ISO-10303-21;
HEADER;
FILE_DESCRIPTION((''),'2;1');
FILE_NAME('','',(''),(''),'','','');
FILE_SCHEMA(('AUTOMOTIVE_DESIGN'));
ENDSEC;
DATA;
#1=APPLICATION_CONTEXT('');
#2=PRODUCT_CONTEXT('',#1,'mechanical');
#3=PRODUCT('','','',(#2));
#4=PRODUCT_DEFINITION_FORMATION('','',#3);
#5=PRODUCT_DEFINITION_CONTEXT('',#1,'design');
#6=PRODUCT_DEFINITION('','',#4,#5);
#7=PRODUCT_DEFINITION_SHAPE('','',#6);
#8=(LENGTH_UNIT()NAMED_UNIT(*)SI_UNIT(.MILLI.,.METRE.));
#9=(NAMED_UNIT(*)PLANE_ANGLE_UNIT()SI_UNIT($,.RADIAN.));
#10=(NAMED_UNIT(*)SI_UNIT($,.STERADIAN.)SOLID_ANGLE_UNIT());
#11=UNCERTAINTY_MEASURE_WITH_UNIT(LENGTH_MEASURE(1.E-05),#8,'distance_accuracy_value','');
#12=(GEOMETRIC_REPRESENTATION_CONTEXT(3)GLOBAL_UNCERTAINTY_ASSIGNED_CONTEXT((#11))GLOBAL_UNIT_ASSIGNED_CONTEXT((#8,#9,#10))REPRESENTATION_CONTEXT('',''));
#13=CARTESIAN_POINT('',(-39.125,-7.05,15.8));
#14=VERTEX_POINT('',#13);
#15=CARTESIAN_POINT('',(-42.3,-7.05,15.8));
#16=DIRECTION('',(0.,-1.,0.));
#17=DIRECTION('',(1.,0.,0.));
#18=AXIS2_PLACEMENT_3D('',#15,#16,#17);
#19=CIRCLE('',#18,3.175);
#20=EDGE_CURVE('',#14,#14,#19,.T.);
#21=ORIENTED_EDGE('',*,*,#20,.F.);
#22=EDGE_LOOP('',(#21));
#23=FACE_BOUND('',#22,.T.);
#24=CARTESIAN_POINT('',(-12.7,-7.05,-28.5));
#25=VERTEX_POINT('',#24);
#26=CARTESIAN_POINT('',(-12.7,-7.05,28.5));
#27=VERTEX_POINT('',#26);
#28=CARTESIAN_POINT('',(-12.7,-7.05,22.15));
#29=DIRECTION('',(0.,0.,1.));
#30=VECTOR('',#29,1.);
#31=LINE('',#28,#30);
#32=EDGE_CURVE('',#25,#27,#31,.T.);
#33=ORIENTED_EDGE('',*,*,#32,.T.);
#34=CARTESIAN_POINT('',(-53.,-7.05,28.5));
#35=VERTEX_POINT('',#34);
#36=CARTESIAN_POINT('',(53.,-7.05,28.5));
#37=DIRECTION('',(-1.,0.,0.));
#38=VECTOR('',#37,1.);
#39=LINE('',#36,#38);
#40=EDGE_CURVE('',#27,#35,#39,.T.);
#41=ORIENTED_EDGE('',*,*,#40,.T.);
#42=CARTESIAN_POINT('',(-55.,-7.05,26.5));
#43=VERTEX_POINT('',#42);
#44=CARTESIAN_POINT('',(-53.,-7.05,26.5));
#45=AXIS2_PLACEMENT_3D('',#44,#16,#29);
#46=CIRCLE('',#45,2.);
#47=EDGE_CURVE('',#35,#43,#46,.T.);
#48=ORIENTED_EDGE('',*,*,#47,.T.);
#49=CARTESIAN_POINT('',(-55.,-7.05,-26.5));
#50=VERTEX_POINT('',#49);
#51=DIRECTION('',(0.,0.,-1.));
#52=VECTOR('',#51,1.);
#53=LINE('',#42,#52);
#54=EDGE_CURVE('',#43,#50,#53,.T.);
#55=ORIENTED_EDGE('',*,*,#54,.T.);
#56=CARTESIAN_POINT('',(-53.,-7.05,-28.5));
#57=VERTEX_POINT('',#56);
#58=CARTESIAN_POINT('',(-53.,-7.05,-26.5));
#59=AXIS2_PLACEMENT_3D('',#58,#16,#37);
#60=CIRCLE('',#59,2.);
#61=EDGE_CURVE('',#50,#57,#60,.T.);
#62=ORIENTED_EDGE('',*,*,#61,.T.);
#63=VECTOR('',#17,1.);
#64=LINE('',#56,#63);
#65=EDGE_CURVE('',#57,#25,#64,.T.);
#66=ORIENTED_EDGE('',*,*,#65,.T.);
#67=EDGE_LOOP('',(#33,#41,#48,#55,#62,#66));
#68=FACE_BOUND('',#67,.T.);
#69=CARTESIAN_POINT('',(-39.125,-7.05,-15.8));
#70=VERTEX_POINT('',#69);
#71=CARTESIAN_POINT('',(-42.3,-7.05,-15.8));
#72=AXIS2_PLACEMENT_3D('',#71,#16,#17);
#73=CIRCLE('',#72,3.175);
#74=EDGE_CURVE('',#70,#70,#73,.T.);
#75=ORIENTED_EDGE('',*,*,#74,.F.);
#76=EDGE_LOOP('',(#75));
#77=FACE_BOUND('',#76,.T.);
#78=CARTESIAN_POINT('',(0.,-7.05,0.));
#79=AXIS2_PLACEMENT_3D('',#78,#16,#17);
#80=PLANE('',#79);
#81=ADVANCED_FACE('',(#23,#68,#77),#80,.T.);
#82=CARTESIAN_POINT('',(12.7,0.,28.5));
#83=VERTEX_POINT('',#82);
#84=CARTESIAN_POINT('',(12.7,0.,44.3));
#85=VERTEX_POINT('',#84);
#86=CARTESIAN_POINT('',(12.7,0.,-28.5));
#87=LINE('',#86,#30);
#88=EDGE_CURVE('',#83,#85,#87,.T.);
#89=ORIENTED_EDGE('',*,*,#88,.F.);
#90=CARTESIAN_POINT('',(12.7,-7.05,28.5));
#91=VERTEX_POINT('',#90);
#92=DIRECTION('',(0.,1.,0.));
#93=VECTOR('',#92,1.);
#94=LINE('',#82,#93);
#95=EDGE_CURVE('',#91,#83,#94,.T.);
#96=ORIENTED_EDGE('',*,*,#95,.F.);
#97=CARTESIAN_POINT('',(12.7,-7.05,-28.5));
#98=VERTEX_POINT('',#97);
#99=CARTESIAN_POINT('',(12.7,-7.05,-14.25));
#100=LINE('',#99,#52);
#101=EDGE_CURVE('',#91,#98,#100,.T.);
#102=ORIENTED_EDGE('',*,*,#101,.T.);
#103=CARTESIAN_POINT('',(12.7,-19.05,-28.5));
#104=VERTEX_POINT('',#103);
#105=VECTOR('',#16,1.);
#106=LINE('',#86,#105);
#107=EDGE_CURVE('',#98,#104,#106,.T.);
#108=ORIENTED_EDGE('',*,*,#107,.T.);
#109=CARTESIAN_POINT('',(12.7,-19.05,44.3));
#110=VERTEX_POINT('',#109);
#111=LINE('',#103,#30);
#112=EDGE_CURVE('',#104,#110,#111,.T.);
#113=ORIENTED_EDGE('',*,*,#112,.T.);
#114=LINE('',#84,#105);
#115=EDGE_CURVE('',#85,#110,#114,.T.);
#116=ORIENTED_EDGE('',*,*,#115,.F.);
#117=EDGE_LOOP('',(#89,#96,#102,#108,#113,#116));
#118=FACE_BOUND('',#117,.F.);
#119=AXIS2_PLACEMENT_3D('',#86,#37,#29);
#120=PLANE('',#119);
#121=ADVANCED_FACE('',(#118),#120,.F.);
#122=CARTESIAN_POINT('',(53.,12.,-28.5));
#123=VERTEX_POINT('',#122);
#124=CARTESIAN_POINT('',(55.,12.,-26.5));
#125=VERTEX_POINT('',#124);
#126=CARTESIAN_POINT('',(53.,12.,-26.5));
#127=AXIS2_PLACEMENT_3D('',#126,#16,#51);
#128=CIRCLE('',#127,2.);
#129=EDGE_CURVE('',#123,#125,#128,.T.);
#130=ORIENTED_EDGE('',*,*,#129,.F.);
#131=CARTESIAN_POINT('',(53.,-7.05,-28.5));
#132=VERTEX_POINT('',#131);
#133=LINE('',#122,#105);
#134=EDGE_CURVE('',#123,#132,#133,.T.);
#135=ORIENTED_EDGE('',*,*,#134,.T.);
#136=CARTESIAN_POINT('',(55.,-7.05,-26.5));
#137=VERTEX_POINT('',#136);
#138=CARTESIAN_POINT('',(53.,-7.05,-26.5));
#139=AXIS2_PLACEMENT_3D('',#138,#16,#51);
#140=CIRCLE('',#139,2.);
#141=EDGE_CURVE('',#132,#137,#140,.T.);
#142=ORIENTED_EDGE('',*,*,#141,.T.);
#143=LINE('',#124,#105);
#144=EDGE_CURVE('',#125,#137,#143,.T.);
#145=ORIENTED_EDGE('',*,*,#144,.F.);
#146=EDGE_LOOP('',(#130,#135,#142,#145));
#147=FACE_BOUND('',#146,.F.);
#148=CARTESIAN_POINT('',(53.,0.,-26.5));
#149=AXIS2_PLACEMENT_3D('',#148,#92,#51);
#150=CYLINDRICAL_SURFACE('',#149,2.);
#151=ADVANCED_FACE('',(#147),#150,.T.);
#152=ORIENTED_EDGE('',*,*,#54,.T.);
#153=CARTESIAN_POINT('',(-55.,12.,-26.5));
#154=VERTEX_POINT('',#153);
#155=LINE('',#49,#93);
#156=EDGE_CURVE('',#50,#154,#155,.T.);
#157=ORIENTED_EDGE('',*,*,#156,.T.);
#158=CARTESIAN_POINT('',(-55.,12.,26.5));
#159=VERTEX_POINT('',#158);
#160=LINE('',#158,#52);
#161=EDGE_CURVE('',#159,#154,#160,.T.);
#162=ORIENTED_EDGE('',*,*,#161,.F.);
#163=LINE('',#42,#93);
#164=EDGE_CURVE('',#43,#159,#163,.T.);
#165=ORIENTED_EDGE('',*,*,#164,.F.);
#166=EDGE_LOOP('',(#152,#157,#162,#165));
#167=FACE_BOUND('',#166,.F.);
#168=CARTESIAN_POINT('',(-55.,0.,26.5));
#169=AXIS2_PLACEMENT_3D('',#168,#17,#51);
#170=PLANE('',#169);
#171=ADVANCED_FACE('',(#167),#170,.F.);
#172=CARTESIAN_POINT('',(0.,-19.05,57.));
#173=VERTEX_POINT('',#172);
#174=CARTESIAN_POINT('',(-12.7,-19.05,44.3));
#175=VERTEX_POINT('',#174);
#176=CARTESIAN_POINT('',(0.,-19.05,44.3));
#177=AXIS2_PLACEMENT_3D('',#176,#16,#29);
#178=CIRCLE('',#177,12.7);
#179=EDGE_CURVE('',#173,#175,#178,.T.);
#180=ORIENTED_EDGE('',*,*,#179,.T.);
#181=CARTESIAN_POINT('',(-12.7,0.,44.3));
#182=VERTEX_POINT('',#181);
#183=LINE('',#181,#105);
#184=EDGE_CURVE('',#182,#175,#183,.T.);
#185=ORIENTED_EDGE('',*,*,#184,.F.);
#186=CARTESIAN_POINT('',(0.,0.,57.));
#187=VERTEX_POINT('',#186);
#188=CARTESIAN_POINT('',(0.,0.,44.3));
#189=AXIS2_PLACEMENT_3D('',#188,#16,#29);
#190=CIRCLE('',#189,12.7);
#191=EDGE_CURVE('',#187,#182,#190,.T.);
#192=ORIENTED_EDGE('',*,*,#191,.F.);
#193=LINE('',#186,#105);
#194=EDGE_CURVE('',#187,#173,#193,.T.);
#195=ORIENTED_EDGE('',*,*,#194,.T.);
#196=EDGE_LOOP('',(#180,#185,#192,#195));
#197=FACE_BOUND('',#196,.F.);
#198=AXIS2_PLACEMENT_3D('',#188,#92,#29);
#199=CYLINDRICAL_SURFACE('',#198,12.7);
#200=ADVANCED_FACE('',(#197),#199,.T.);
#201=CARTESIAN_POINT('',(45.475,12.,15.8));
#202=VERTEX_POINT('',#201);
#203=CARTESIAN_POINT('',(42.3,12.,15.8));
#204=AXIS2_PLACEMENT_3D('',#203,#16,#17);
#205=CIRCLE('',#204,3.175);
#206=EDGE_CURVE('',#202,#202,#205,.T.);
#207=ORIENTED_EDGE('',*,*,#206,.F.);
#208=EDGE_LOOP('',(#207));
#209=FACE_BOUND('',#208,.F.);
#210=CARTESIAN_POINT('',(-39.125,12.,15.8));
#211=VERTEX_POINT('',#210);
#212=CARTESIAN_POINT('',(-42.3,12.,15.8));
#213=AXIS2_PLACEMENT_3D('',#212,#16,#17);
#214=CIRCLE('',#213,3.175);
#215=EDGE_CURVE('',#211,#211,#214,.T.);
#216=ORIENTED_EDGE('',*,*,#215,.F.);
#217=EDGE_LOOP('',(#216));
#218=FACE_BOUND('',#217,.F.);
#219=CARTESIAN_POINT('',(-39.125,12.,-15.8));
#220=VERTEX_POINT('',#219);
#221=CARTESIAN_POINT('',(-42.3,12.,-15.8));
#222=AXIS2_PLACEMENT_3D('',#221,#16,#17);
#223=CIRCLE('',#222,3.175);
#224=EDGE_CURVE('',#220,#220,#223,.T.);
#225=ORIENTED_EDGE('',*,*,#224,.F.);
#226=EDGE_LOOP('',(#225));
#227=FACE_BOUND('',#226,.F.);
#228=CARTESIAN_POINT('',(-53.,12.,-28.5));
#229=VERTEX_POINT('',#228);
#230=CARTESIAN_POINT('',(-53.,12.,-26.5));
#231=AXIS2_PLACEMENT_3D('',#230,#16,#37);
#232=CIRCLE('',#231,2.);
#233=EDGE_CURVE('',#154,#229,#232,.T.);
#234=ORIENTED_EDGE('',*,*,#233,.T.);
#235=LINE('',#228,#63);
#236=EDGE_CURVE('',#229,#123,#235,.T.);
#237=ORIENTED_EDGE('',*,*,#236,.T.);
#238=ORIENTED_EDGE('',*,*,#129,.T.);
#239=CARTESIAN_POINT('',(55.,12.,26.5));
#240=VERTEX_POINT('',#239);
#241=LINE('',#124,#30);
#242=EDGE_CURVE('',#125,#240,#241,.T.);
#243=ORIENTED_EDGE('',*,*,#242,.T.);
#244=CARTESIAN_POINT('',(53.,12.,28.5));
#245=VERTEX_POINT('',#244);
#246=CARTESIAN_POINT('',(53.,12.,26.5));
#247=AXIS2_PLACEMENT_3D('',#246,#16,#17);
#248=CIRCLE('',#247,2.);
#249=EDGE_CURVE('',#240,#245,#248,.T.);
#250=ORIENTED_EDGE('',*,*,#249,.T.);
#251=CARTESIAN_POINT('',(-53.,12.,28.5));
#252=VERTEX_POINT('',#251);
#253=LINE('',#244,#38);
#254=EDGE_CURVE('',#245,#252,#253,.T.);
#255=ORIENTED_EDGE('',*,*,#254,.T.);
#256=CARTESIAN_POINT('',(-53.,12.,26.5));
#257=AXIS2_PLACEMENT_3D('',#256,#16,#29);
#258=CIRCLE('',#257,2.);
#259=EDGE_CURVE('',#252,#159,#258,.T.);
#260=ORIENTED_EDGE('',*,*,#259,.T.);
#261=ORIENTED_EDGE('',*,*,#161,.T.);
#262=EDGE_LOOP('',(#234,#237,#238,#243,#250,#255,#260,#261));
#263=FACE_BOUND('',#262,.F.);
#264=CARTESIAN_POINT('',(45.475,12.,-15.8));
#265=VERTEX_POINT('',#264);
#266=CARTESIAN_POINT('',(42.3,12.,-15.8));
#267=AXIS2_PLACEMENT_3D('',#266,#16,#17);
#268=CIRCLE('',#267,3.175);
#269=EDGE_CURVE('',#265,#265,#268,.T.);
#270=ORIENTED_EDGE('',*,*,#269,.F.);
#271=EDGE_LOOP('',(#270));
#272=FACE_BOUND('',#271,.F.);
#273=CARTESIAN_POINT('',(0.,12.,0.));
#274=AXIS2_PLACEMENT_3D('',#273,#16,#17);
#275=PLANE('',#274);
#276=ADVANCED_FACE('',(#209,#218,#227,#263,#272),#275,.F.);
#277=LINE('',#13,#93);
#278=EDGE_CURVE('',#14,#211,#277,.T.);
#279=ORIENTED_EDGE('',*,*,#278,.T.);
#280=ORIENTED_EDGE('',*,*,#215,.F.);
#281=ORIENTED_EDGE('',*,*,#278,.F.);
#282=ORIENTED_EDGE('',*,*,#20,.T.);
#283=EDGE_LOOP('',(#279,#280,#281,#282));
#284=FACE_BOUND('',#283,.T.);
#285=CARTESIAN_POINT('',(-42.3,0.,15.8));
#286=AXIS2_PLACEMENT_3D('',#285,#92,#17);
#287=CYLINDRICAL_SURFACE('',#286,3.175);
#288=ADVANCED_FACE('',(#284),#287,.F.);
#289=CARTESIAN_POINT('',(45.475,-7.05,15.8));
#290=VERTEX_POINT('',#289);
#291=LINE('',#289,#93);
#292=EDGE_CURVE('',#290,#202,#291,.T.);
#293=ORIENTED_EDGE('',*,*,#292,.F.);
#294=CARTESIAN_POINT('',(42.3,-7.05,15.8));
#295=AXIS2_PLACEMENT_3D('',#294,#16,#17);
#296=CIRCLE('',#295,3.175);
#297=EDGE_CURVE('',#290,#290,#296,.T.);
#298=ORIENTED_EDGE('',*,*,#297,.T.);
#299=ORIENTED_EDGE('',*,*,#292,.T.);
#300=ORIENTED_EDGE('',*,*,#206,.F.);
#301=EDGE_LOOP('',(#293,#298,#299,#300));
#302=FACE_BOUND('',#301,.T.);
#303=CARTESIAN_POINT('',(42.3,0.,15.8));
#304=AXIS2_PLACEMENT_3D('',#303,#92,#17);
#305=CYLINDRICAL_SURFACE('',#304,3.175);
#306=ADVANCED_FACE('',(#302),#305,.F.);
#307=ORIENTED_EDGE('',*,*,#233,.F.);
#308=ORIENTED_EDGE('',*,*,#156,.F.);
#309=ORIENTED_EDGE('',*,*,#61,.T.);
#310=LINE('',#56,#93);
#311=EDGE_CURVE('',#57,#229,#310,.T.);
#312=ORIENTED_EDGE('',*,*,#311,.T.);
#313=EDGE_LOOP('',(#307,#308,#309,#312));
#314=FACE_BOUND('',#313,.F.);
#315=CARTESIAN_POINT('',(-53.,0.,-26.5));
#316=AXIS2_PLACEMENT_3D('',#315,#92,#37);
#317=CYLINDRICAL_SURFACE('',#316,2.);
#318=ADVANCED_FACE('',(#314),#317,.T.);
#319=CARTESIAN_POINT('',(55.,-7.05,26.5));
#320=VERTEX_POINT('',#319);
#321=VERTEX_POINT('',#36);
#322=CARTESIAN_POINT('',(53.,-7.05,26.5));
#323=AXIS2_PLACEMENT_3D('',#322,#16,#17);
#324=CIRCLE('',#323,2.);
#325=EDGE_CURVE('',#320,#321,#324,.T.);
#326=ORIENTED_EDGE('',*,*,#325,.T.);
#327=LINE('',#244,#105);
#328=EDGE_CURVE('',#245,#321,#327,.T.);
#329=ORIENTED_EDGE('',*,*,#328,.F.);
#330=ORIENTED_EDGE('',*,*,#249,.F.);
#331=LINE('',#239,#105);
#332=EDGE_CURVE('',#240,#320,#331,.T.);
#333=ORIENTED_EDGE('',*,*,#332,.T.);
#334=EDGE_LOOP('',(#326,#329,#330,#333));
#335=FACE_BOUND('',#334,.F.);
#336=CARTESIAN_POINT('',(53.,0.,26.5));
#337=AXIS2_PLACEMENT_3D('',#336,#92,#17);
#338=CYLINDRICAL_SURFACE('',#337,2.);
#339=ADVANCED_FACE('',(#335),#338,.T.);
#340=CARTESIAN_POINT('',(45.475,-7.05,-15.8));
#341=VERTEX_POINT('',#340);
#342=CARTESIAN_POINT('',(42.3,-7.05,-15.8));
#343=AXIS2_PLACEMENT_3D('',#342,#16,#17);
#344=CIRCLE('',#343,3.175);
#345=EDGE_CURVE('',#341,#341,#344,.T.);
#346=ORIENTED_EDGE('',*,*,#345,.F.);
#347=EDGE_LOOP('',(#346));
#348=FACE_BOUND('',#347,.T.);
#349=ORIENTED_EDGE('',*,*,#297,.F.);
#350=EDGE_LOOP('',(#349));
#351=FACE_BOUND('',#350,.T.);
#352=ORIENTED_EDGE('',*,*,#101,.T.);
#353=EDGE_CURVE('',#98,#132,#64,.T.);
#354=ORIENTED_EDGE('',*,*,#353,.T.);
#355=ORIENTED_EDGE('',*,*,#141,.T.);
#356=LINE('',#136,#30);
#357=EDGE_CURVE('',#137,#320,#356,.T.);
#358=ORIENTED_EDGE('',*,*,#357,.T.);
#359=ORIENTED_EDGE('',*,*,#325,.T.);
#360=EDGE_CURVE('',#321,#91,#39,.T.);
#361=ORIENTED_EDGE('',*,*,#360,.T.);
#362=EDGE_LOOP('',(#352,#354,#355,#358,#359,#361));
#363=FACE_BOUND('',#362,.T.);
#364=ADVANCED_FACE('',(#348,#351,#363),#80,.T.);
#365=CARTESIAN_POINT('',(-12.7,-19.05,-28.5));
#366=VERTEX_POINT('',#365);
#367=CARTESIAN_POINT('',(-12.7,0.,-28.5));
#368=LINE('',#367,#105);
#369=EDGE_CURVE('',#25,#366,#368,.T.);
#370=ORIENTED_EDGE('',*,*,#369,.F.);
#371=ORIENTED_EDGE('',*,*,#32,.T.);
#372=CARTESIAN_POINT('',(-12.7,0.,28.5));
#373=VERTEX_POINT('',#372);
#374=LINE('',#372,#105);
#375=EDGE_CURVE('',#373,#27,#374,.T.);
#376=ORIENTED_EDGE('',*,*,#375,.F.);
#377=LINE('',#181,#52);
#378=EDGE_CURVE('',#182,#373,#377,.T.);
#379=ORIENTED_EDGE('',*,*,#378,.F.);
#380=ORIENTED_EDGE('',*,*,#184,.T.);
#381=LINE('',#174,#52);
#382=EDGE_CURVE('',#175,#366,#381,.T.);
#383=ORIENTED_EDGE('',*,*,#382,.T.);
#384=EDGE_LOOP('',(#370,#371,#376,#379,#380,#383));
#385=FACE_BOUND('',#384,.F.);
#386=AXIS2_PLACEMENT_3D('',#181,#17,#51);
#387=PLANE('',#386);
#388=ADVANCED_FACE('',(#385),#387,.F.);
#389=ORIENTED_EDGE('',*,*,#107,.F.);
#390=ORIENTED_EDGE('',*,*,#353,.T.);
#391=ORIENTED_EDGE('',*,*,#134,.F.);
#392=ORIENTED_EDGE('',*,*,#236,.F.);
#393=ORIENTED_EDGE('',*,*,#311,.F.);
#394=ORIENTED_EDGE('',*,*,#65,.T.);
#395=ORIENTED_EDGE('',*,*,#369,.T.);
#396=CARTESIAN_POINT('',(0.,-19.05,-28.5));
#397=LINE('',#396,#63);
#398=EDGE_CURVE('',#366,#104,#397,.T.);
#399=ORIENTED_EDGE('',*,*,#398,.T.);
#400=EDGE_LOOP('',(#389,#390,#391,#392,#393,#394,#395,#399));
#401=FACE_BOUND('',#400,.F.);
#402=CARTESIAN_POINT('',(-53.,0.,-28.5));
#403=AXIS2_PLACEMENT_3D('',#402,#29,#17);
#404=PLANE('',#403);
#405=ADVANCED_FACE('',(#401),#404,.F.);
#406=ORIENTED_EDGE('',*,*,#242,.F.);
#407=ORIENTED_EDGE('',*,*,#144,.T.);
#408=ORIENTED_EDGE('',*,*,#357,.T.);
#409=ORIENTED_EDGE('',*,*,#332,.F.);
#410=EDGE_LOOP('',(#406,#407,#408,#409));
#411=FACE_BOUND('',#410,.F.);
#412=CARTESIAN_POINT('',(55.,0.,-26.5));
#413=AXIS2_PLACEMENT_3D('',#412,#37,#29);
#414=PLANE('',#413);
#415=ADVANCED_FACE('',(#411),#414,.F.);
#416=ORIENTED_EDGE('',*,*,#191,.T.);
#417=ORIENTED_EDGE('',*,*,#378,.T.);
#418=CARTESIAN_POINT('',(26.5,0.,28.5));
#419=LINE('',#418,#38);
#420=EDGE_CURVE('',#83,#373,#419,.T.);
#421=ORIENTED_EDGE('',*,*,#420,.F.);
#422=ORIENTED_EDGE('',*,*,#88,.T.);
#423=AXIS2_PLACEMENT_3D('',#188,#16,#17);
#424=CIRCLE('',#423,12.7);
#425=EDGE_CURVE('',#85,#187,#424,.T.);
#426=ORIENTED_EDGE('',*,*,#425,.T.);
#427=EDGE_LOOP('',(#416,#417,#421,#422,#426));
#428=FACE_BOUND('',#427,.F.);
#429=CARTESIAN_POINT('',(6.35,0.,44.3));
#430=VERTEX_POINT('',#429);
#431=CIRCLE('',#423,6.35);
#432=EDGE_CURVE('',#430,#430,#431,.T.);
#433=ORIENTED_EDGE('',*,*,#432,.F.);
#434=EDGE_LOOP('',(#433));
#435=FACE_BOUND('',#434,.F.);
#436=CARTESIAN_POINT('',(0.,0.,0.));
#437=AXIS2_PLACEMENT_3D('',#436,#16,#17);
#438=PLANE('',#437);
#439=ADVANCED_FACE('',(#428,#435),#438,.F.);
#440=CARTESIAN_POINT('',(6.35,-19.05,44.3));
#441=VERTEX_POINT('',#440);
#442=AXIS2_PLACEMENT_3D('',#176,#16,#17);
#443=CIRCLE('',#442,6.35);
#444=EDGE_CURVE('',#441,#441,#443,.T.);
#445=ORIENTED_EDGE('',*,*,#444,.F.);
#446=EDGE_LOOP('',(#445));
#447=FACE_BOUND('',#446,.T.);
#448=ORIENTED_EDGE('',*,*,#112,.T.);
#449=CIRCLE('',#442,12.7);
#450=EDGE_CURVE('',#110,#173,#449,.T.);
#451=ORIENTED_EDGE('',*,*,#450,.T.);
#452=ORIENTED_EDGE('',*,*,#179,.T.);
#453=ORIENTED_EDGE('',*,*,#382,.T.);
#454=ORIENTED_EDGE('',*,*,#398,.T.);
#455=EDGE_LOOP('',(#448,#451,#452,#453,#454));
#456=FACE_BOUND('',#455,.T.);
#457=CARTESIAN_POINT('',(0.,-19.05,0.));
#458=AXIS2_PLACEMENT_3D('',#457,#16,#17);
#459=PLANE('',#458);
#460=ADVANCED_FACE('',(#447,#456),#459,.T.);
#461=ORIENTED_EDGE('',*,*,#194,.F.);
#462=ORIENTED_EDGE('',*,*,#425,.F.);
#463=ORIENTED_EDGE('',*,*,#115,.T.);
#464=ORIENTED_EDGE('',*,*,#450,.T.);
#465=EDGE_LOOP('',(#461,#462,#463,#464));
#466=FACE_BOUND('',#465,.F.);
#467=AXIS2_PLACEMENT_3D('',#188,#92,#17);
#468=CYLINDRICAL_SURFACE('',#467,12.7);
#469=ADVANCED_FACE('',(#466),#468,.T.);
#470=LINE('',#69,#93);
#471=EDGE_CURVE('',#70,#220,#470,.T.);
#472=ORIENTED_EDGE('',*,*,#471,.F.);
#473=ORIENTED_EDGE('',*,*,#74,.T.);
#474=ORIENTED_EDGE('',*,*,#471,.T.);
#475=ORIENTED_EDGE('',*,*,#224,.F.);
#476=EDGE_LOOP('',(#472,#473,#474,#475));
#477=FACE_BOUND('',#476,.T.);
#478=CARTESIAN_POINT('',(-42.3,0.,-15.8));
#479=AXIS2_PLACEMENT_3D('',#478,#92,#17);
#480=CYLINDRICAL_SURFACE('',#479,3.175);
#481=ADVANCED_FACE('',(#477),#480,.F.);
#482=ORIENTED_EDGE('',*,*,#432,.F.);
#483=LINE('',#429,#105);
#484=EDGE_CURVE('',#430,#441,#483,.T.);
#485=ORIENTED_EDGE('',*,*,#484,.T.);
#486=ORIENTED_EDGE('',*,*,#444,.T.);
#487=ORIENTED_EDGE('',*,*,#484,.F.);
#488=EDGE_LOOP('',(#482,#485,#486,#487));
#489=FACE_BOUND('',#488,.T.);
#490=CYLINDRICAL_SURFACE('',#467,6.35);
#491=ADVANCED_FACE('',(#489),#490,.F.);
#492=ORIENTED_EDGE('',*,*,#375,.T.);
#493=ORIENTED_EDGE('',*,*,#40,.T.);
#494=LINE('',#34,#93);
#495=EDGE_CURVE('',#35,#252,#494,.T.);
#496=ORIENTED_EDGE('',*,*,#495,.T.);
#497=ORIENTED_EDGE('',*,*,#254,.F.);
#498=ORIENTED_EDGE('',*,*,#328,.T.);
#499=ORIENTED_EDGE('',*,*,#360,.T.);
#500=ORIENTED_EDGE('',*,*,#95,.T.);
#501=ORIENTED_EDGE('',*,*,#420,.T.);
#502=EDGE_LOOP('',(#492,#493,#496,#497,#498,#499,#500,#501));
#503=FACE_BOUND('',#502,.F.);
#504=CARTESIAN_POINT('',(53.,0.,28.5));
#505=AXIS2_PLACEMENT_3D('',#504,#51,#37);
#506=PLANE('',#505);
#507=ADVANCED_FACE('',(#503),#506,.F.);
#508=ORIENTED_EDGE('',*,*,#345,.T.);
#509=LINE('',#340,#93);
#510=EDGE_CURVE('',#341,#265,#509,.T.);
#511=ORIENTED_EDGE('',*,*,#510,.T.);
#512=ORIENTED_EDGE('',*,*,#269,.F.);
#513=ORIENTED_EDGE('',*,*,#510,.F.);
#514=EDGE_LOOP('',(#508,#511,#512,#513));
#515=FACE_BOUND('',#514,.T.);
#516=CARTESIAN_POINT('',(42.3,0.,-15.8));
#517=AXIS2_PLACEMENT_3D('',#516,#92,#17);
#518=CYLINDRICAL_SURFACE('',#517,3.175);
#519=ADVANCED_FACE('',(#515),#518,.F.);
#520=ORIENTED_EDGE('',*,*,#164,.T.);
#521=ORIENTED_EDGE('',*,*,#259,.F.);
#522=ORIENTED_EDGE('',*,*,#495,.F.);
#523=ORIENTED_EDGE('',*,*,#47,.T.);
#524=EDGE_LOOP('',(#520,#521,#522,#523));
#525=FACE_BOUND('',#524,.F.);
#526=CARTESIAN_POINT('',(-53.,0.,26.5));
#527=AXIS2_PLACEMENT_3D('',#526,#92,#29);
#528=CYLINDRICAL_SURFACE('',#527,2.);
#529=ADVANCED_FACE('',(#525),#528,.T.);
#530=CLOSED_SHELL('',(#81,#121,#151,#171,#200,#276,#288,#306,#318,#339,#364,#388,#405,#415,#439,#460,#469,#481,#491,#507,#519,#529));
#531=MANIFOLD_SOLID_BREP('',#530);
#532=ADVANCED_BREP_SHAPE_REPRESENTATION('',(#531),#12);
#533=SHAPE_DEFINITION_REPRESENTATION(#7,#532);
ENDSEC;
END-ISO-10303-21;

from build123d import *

# Parameters (mm, degrees)
F0_W          = 25.4
F0_H          = 57
F0_R          = 3.175
F1_DEPTH      = 12
F1_DEPTH_BACK = 7.05
F0_R_2        = 6.35
F2_DEPTH      = 19.05


with BuildPart() as f1:
    # F0 (on Front) → F1 (new body, two sides)
    with BuildSketch(Plane.XZ) as f1_sk:
        Rectangle(F0_W, F0_H)
        with BuildLine():
            Line((-12.7, 28.5), (-53, 28.5))
            ThreePointArc((-53, 28.5), (-54.4142135624, 27.9142135624), (-55, 26.5))
            Line((-55, 26.5), (-55, -26.5))
            ThreePointArc((-55, -26.5), (-54.4142135624, -27.9142135624), (-53, -28.5))
            Line((-53, -28.5), (-12.7, -28.5))
            Line((-12.7, -28.5), (-12.7, 28.5))
        make_face()
        with Locations((-42.3, -15.8)):
            Circle(F0_R, mode=Mode.SUBTRACT)
        with Locations((-42.3, 15.8)):
            Circle(F0_R, mode=Mode.SUBTRACT)
        with BuildLine():
            Line((53, 28.5), (12.7, 28.5))
            Line((12.7, 28.5), (12.7, -28.5))
            Line((12.7, -28.5), (53, -28.5))
            ThreePointArc((53, -28.5), (54.4142135624, -27.9142135624), (55, -26.5))
            Line((55, -26.5), (55, 26.5))
            ThreePointArc((55, 26.5), (54.4142135624, 27.9142135624), (53, 28.5))
        make_face()
        with Locations((42.3, -15.8)):
            Circle(F0_R, mode=Mode.SUBTRACT)
        with Locations((42.3, 15.8)):
            Circle(F0_R, mode=Mode.SUBTRACT)
    extrude(amount=-F1_DEPTH)
    extrude(f1_sk.sketch, amount=F1_DEPTH_BACK)

    # F0 (on Front) → F2 (join)
    with BuildSketch(Plane.XZ):
        Rectangle(F0_W, F0_H)
        with BuildLine():
            Line((-12.7, 44.3), (-12.7, 28.5))
            Line((-12.7, 28.5), (12.7, 28.5))
            Line((12.7, 28.5), (12.7, 44.3))
            ThreePointArc((12.7, 44.3), (0, 31.6), (-12.7, 44.3))
        make_face()
        with BuildLine():
            ThreePointArc((0, 57), (-8.9802561211, 53.2802561211), (-12.7, 44.3))
            ThreePointArc((-12.7, 44.3), (0, 31.6), (12.7, 44.3))
            ThreePointArc((12.7, 44.3), (8.9802561211, 53.2802561211), (0, 57))
        make_face()
        with Locations((0, 44.3)):
            Circle(F0_R_2, mode=Mode.SUBTRACT)
    extrude(amount=F2_DEPTH)


solid = f1.part
